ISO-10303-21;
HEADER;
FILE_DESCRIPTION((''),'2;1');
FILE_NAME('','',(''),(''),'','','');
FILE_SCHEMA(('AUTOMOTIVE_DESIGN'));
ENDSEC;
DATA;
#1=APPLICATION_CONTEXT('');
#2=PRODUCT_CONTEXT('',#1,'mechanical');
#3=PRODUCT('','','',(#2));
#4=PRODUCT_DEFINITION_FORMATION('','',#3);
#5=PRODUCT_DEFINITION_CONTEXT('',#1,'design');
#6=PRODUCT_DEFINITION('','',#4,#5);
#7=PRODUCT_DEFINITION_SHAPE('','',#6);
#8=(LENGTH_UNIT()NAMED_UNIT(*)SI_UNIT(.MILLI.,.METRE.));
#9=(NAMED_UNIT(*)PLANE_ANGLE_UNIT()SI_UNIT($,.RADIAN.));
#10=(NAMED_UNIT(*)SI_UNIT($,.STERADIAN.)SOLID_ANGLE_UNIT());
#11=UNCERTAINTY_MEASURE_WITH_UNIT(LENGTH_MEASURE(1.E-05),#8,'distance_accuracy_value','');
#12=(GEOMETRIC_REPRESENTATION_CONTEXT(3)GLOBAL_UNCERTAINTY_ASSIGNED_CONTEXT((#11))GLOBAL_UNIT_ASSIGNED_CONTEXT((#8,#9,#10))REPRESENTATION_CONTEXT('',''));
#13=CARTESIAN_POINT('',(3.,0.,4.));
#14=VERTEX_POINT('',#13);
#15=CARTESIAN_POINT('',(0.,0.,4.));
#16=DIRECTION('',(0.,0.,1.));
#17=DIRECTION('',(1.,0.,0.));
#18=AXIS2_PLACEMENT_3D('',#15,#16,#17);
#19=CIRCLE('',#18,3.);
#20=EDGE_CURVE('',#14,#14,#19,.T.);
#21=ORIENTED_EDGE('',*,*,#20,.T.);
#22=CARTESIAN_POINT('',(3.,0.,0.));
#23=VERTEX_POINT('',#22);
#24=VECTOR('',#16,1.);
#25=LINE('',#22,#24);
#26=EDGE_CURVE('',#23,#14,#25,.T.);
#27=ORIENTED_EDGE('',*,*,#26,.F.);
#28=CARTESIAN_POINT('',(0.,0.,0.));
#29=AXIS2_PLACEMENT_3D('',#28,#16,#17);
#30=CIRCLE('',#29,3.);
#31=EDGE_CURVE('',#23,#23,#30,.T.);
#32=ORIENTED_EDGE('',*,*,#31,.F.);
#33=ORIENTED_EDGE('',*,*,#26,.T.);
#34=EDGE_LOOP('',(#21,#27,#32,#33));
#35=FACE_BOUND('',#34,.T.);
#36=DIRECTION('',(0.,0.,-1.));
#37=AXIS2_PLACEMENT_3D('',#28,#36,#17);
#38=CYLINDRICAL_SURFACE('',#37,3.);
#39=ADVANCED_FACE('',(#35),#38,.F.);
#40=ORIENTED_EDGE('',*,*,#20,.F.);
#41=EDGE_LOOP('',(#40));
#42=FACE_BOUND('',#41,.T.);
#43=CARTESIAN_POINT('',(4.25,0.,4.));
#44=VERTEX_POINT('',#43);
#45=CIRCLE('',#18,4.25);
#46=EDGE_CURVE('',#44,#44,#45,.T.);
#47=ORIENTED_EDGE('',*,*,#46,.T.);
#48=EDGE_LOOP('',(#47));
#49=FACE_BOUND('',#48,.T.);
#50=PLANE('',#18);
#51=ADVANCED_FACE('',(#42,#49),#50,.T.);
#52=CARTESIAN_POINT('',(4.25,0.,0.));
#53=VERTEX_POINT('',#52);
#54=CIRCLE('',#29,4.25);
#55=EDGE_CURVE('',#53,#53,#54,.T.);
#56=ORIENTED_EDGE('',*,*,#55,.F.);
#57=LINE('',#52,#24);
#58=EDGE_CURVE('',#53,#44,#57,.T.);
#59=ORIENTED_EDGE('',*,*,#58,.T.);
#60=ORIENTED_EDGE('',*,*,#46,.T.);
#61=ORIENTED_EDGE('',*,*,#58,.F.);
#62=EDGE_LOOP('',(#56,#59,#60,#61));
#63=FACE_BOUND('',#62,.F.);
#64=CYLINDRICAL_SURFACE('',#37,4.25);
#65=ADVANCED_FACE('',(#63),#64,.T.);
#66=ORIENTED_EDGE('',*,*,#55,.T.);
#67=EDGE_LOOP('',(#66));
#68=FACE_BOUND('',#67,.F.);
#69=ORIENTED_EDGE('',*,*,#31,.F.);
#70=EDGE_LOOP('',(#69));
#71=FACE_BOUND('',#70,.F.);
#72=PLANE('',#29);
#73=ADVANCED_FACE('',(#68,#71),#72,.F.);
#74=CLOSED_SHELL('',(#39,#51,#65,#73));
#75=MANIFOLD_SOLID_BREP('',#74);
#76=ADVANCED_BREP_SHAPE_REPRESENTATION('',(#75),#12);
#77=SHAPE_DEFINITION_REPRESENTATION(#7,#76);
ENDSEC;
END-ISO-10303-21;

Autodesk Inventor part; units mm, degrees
ref_plane "YZ Plane" through (0, 0, 0) normal (1, 0, 0) x (0, 1, 0)
ref_plane "XZ Plane" through (0, 0, 0) normal (0, 1, 0) x (-1, 0, 0)
ref_plane "XY Plane" through (0, 0, 0) normal (0, 0, 1) x (1, 0, 0)
sketch "Sketch1" plane through (0, 0, 0) normal (0, 0, 1) x (1, 0, 0)
  circle A0 centre (0, 0) radius 4.25
  circle A1 centre (0, 0) radius 3
  dimension "d0" = 6
  dimension "d1" = 8.5
extrude "Extrusion1" add sketch "Sketch1" along normal blind 4
properties part number "shaft_magnet_holder"
